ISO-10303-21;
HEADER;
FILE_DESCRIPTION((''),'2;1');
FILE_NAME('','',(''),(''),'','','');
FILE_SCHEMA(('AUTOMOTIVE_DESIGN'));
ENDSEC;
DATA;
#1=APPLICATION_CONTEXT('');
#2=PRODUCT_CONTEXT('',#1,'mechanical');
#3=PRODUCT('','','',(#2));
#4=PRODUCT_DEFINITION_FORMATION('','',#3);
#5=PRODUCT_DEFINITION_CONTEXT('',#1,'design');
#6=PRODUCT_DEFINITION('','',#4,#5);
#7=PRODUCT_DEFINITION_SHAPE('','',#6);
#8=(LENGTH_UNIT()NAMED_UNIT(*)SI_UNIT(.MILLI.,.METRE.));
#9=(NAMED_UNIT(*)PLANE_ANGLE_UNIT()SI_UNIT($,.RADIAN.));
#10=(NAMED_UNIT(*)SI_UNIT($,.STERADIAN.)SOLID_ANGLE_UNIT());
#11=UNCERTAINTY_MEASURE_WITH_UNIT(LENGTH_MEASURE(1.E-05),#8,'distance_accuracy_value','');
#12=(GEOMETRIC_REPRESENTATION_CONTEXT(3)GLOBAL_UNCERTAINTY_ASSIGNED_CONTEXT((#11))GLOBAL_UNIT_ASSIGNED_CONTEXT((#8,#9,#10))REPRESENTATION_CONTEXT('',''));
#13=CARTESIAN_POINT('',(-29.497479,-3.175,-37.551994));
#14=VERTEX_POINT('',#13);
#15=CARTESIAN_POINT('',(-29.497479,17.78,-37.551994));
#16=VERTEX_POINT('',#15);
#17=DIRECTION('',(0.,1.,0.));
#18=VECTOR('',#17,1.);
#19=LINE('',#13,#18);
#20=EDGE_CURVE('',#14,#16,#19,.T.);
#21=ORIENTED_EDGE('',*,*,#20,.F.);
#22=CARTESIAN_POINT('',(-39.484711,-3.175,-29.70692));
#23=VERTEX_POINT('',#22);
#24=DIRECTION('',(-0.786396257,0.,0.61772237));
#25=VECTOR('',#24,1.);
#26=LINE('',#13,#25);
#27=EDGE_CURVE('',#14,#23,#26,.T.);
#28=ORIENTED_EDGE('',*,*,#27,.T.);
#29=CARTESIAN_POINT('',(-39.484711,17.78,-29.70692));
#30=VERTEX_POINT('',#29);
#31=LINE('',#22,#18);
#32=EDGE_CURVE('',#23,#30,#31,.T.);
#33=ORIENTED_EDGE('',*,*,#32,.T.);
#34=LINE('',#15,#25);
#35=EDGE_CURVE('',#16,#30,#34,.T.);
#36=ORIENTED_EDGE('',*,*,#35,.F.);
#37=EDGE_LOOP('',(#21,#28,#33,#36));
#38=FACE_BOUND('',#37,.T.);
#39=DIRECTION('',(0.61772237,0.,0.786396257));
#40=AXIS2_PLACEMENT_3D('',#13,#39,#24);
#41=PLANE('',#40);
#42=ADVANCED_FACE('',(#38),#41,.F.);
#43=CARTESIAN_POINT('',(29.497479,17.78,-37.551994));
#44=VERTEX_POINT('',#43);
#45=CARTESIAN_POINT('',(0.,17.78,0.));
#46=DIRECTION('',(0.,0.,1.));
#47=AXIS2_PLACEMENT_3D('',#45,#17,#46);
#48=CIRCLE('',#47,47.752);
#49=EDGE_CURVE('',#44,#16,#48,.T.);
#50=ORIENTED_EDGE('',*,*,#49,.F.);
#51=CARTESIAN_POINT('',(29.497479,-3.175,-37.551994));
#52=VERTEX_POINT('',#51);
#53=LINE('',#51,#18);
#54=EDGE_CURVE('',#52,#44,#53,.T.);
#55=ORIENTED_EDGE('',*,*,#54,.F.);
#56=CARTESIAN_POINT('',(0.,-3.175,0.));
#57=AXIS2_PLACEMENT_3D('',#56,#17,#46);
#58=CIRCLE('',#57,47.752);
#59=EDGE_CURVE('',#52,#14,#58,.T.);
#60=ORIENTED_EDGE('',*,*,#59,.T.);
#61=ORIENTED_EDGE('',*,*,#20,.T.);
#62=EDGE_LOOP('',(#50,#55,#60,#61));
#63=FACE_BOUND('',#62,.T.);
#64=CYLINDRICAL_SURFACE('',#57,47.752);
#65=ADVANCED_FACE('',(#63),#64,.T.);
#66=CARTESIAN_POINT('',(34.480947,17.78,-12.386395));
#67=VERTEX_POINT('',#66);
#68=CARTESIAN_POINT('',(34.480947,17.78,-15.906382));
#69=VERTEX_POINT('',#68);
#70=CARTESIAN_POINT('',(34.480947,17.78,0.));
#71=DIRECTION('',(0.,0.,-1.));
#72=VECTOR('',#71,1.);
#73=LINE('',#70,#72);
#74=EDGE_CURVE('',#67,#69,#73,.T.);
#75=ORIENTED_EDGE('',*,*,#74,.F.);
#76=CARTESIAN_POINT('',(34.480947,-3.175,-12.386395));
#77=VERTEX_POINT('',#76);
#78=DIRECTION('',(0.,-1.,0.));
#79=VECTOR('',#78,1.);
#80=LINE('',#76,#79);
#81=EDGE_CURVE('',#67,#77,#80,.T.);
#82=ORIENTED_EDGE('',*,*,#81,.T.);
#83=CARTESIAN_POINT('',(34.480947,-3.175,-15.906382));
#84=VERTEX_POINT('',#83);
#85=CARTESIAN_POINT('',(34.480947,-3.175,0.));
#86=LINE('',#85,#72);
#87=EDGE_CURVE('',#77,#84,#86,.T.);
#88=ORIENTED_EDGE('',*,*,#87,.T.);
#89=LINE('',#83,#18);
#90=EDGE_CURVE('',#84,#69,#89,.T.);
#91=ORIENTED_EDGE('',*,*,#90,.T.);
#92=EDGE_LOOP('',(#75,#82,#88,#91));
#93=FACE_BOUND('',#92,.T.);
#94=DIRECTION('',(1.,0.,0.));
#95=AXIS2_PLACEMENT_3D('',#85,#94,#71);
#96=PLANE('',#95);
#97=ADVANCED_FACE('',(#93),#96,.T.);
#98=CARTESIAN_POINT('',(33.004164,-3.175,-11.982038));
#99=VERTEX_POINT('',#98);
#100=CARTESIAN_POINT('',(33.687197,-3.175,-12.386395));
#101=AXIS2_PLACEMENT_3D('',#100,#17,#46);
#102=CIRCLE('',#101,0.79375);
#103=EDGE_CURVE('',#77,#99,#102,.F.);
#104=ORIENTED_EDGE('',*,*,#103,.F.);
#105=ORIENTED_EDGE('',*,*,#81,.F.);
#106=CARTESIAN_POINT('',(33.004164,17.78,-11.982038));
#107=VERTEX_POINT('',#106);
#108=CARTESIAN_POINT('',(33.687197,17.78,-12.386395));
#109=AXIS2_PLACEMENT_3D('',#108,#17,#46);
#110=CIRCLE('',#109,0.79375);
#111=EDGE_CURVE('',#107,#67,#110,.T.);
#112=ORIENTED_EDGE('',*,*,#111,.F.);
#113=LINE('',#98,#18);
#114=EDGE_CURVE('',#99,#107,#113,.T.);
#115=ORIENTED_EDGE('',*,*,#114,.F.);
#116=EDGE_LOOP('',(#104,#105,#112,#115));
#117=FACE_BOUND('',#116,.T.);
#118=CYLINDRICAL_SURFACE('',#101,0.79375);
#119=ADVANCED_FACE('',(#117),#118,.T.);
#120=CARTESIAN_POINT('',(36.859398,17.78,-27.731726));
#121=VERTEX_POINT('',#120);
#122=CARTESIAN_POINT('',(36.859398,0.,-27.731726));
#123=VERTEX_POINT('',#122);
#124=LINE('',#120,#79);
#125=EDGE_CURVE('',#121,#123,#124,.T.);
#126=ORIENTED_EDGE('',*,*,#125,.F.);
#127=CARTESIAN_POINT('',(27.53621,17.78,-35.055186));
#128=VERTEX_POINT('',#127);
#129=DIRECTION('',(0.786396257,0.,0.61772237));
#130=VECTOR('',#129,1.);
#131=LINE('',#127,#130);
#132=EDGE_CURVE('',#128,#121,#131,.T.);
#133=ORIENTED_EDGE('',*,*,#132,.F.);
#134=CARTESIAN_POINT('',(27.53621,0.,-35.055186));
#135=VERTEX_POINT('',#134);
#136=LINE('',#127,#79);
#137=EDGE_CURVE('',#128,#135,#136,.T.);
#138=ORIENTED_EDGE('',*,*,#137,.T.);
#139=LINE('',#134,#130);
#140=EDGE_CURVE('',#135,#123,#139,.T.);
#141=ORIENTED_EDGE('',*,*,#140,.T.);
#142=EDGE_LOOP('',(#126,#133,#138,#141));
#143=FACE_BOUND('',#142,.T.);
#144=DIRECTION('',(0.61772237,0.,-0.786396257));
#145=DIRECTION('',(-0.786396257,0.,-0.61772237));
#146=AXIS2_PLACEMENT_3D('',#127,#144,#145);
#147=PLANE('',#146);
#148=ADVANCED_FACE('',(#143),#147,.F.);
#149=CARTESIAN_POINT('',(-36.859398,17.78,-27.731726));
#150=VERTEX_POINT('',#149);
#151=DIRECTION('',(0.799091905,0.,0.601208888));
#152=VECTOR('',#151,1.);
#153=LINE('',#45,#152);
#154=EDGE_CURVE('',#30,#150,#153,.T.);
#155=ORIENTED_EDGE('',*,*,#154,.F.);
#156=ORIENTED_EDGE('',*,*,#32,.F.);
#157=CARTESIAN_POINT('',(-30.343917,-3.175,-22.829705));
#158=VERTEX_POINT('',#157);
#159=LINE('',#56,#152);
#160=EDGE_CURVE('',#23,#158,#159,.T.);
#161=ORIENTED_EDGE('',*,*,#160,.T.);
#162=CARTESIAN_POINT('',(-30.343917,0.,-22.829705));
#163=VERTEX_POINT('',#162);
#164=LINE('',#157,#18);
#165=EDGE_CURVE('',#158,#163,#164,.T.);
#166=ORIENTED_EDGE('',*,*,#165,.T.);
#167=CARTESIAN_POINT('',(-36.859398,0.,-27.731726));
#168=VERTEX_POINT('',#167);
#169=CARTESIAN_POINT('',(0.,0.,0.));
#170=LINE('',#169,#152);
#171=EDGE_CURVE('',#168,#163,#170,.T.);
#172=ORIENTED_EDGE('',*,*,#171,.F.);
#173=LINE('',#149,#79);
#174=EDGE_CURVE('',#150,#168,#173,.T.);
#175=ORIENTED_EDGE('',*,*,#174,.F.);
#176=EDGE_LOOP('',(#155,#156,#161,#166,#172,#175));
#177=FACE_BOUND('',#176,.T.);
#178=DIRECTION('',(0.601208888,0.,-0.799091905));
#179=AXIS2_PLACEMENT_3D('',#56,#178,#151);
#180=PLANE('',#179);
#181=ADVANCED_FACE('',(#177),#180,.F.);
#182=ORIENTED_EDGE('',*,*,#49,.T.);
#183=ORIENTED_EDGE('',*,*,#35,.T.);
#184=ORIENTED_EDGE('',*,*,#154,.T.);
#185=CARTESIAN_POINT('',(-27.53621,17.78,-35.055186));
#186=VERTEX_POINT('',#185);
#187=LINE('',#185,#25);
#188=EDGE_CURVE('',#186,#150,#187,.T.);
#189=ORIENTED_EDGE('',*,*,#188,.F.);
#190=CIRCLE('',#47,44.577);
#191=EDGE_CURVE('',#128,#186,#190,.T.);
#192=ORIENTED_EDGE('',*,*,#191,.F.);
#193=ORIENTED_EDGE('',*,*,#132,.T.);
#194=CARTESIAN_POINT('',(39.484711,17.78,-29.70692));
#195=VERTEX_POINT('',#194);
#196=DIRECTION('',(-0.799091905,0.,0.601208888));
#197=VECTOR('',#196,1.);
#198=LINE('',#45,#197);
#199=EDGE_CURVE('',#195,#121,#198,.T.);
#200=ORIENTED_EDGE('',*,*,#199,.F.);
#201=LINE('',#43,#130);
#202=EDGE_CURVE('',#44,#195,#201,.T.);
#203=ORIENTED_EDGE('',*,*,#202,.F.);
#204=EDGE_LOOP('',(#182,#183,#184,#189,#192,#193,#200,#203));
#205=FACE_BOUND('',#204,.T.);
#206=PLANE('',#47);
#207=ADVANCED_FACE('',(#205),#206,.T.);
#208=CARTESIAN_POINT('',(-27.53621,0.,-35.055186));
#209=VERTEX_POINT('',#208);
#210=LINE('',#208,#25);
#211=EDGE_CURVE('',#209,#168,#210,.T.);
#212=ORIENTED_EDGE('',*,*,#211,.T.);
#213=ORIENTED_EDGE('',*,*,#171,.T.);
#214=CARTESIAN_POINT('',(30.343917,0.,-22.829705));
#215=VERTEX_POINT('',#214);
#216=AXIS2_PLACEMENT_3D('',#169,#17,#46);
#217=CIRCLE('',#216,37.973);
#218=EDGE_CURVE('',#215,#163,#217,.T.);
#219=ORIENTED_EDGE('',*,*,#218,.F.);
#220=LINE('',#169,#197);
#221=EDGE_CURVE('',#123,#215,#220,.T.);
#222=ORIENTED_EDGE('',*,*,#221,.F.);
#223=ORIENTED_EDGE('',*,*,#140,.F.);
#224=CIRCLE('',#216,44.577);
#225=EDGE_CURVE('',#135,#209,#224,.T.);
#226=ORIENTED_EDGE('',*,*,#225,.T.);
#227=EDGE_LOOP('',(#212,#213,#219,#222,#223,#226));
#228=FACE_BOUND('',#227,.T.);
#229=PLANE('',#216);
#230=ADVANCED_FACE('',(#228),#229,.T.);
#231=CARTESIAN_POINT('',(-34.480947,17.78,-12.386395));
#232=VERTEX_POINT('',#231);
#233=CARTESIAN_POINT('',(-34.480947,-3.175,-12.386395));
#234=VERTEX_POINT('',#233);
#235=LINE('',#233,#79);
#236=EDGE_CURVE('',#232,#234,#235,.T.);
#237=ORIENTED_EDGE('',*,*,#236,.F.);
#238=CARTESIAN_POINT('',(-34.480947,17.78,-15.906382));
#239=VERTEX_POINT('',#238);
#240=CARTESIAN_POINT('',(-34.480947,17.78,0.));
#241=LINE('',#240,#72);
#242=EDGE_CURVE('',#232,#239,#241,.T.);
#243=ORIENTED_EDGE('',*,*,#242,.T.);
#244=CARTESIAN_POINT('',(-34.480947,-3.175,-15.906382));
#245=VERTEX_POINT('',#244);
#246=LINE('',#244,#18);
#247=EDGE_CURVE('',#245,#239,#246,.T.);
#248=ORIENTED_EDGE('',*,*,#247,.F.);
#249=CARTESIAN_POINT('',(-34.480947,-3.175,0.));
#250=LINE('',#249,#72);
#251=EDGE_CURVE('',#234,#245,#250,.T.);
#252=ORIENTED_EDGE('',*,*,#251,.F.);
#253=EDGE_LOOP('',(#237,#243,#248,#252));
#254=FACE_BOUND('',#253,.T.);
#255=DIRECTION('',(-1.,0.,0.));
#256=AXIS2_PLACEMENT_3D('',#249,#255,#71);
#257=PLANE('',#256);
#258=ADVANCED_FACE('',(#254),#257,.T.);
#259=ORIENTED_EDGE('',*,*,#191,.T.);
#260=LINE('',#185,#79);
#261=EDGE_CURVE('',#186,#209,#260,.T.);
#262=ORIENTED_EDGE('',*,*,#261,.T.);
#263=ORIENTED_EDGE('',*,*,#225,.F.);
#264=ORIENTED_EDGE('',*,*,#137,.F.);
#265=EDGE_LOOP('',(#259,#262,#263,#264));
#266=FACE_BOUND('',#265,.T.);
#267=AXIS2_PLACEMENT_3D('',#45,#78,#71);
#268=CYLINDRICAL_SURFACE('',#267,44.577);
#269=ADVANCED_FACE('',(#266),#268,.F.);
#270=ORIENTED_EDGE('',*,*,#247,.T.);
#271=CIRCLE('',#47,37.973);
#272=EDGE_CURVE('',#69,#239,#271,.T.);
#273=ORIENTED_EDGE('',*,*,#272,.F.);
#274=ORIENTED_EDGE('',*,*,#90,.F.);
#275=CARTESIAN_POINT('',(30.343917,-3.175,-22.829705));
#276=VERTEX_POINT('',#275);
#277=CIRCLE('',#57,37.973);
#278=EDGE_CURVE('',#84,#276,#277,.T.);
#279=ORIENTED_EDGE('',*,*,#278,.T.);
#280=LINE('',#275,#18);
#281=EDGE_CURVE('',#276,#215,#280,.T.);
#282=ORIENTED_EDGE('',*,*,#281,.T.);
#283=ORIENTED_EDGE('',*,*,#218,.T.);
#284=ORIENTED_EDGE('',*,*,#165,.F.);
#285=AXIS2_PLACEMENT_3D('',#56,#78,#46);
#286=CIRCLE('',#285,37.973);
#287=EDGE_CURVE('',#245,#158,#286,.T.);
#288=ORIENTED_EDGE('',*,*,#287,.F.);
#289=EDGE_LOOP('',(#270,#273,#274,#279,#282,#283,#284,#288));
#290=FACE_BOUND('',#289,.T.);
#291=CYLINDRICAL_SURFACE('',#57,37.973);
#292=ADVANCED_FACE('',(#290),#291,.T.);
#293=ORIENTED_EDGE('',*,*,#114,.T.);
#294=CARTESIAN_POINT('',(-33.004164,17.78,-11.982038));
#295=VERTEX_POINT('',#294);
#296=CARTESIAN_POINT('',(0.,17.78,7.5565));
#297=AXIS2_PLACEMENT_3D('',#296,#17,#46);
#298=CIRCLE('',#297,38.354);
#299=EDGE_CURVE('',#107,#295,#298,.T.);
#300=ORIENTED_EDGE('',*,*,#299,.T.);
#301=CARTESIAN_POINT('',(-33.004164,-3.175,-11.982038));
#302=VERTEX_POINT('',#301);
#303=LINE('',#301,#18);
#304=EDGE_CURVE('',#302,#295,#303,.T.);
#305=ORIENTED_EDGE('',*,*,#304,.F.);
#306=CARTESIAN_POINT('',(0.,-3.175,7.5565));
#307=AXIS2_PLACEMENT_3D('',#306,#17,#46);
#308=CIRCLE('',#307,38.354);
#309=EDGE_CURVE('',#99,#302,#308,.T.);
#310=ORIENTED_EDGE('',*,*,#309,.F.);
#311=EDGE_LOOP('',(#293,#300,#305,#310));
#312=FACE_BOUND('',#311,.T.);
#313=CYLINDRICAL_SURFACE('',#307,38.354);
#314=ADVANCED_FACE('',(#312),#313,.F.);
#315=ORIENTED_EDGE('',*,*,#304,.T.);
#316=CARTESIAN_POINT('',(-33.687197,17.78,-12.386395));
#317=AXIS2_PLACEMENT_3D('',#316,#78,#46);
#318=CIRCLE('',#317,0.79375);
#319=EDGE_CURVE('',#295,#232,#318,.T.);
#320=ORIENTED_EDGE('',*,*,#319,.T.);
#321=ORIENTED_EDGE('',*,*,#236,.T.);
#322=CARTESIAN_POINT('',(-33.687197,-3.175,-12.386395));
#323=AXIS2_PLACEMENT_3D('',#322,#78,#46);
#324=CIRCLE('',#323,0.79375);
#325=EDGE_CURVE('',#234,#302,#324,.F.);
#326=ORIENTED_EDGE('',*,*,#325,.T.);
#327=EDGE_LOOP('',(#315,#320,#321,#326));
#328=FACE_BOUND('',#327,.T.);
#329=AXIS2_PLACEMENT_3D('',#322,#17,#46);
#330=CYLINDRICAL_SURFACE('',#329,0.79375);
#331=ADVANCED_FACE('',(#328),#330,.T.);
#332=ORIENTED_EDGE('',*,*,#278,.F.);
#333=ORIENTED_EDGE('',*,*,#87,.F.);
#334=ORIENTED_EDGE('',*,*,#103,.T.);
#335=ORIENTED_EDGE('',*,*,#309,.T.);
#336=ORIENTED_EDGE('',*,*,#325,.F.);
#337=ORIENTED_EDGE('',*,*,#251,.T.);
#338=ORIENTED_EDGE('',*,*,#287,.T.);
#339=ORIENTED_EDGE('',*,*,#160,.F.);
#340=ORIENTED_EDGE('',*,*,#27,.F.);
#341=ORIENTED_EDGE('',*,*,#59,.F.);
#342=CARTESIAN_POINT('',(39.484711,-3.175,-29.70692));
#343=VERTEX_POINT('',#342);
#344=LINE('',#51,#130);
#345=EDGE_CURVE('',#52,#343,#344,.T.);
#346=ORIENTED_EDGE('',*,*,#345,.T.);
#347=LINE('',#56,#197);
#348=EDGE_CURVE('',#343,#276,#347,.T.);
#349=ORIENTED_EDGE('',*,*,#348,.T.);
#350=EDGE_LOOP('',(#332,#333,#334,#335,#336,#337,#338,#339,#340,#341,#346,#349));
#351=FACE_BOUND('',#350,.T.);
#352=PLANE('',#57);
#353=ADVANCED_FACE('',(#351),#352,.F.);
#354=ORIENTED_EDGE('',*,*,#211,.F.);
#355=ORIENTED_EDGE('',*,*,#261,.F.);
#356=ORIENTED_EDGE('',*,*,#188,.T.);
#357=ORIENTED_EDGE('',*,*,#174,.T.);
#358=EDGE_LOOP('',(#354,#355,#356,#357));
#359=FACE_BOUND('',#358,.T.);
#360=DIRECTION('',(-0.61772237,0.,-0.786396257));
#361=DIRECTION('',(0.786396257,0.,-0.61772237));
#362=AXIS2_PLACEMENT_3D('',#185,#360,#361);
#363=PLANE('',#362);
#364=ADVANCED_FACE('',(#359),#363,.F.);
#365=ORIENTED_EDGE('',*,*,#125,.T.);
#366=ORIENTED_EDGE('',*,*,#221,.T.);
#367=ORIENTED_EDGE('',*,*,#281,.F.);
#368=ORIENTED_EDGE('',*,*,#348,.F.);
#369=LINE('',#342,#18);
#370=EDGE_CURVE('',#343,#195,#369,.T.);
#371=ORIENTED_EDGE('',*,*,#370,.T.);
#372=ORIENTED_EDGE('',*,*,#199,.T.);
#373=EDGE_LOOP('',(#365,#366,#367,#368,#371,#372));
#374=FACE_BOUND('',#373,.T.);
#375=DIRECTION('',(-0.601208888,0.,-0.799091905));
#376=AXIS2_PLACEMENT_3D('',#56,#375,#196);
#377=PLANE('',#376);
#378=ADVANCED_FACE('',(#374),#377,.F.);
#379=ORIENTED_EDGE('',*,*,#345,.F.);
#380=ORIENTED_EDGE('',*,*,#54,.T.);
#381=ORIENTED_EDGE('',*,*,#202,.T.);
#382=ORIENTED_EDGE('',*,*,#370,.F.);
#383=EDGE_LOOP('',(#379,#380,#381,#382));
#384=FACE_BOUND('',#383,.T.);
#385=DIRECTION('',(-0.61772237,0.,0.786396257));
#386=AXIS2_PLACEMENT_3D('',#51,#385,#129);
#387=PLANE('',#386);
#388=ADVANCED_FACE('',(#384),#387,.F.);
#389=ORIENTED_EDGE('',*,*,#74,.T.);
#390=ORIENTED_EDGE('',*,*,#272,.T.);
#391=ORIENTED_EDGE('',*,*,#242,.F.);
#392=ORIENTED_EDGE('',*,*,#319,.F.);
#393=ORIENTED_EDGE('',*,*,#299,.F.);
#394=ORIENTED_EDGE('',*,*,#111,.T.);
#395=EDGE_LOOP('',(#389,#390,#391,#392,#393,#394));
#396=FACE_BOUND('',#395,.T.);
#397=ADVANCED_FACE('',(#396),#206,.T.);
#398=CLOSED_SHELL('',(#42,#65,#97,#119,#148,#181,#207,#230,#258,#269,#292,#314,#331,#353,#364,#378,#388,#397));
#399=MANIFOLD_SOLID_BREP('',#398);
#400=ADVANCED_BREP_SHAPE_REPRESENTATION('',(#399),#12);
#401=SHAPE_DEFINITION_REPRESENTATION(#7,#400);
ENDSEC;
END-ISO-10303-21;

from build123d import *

# Parameters (mm, degrees)
BOSS_EXTRUDE1_DEPTH = 3.175
BOSS_EXTRUDE2_START = 17.78
BOSS_EXTRUDE2_DEPTH = 17.78
FILLET1_R           = 0.79375


with BuildPart() as part:
    # Sketch2 → Boss-Extrude1 (new body)
    with BuildSketch(Plane(origin=(0, 0, 0), x_dir=(1, 0, 0), z_dir=(0, 1, 0))):
        with BuildLine():
            ThreePointArc((0, 30.7975), (20.332846129, 24.964334619), (34.480947296, 9.239141982))
            Line((34.480947296, 9.239141982), (34.480947296, 15.906382448))
            ThreePointArc((34.480947296, 15.906382448), (32.596761403, 19.478189726), (30.343916909, 22.829705114))
            Line((30.343916909, 22.829705114), (39.484711098, 29.70691996))
            Line((39.484711098, 29.70691996), (29.497478634, 37.551994065))
            ThreePointArc((29.497478634, 37.551994065), (15.605618915, 45.130013985), (0, 47.752))
            Line((0, 47.752), (0, 30.7975))
        make_face()
    extrude(amount=-BOSS_EXTRUDE1_DEPTH)

    # Sketch2<3> → Boss-Extrude2 (add)
    with BuildSketch(Plane(origin=(0, 0, 0), x_dir=(1, 0, 0), z_dir=(0, 1, 0)).offset(BOSS_EXTRUDE2_START)):
        with BuildLine():
            Line((0, 37.973), (0, 30.7975))
            ThreePointArc((0, 30.7975), (20.332846129, 24.964334619), (34.480947296, 9.239141982))
            Line((34.480947296, 9.239141982), (34.480947296, 15.906382448))
            ThreePointArc((34.480947296, 15.906382448), (20.468703773, 31.984072518), (0, 37.973))
        make_face()
        with BuildLine():
            Line((0, 47.752), (0, 44.577))
            ThreePointArc((0, 44.577), (14.568011274, 42.129348162), (27.536210108, 35.055185949))
            Line((27.536210108, 35.055185949), (36.85939786, 27.731725813))
            Line((36.85939786, 27.731725813), (39.484711098, 29.70691996))
            Line((39.484711098, 29.70691996), (29.497478634, 37.551994065))
            ThreePointArc((29.497478634, 37.551994065), (15.605618915, 45.130013985), (0, 47.752))
        make_face()
    extrude(amount=-BOSS_EXTRUDE2_DEPTH)

    # Fillet1
    fillet1_edges = [part.edges().sort_by_distance(p)[0] for p in [
        (34.480947296, 7.3025, -9.239141982),
    ]]
    fillet(fillet1_edges, radius=FILLET1_R)

    # Mirror1: part across plane


with BuildPart() as part_1:
    add(part.part)
    add(part.part.mirror(Plane(origin=(0, -3.175, 0), x_dir=(0, 0, 1), z_dir=(1, 0, 0))))


solid = part_1.part
